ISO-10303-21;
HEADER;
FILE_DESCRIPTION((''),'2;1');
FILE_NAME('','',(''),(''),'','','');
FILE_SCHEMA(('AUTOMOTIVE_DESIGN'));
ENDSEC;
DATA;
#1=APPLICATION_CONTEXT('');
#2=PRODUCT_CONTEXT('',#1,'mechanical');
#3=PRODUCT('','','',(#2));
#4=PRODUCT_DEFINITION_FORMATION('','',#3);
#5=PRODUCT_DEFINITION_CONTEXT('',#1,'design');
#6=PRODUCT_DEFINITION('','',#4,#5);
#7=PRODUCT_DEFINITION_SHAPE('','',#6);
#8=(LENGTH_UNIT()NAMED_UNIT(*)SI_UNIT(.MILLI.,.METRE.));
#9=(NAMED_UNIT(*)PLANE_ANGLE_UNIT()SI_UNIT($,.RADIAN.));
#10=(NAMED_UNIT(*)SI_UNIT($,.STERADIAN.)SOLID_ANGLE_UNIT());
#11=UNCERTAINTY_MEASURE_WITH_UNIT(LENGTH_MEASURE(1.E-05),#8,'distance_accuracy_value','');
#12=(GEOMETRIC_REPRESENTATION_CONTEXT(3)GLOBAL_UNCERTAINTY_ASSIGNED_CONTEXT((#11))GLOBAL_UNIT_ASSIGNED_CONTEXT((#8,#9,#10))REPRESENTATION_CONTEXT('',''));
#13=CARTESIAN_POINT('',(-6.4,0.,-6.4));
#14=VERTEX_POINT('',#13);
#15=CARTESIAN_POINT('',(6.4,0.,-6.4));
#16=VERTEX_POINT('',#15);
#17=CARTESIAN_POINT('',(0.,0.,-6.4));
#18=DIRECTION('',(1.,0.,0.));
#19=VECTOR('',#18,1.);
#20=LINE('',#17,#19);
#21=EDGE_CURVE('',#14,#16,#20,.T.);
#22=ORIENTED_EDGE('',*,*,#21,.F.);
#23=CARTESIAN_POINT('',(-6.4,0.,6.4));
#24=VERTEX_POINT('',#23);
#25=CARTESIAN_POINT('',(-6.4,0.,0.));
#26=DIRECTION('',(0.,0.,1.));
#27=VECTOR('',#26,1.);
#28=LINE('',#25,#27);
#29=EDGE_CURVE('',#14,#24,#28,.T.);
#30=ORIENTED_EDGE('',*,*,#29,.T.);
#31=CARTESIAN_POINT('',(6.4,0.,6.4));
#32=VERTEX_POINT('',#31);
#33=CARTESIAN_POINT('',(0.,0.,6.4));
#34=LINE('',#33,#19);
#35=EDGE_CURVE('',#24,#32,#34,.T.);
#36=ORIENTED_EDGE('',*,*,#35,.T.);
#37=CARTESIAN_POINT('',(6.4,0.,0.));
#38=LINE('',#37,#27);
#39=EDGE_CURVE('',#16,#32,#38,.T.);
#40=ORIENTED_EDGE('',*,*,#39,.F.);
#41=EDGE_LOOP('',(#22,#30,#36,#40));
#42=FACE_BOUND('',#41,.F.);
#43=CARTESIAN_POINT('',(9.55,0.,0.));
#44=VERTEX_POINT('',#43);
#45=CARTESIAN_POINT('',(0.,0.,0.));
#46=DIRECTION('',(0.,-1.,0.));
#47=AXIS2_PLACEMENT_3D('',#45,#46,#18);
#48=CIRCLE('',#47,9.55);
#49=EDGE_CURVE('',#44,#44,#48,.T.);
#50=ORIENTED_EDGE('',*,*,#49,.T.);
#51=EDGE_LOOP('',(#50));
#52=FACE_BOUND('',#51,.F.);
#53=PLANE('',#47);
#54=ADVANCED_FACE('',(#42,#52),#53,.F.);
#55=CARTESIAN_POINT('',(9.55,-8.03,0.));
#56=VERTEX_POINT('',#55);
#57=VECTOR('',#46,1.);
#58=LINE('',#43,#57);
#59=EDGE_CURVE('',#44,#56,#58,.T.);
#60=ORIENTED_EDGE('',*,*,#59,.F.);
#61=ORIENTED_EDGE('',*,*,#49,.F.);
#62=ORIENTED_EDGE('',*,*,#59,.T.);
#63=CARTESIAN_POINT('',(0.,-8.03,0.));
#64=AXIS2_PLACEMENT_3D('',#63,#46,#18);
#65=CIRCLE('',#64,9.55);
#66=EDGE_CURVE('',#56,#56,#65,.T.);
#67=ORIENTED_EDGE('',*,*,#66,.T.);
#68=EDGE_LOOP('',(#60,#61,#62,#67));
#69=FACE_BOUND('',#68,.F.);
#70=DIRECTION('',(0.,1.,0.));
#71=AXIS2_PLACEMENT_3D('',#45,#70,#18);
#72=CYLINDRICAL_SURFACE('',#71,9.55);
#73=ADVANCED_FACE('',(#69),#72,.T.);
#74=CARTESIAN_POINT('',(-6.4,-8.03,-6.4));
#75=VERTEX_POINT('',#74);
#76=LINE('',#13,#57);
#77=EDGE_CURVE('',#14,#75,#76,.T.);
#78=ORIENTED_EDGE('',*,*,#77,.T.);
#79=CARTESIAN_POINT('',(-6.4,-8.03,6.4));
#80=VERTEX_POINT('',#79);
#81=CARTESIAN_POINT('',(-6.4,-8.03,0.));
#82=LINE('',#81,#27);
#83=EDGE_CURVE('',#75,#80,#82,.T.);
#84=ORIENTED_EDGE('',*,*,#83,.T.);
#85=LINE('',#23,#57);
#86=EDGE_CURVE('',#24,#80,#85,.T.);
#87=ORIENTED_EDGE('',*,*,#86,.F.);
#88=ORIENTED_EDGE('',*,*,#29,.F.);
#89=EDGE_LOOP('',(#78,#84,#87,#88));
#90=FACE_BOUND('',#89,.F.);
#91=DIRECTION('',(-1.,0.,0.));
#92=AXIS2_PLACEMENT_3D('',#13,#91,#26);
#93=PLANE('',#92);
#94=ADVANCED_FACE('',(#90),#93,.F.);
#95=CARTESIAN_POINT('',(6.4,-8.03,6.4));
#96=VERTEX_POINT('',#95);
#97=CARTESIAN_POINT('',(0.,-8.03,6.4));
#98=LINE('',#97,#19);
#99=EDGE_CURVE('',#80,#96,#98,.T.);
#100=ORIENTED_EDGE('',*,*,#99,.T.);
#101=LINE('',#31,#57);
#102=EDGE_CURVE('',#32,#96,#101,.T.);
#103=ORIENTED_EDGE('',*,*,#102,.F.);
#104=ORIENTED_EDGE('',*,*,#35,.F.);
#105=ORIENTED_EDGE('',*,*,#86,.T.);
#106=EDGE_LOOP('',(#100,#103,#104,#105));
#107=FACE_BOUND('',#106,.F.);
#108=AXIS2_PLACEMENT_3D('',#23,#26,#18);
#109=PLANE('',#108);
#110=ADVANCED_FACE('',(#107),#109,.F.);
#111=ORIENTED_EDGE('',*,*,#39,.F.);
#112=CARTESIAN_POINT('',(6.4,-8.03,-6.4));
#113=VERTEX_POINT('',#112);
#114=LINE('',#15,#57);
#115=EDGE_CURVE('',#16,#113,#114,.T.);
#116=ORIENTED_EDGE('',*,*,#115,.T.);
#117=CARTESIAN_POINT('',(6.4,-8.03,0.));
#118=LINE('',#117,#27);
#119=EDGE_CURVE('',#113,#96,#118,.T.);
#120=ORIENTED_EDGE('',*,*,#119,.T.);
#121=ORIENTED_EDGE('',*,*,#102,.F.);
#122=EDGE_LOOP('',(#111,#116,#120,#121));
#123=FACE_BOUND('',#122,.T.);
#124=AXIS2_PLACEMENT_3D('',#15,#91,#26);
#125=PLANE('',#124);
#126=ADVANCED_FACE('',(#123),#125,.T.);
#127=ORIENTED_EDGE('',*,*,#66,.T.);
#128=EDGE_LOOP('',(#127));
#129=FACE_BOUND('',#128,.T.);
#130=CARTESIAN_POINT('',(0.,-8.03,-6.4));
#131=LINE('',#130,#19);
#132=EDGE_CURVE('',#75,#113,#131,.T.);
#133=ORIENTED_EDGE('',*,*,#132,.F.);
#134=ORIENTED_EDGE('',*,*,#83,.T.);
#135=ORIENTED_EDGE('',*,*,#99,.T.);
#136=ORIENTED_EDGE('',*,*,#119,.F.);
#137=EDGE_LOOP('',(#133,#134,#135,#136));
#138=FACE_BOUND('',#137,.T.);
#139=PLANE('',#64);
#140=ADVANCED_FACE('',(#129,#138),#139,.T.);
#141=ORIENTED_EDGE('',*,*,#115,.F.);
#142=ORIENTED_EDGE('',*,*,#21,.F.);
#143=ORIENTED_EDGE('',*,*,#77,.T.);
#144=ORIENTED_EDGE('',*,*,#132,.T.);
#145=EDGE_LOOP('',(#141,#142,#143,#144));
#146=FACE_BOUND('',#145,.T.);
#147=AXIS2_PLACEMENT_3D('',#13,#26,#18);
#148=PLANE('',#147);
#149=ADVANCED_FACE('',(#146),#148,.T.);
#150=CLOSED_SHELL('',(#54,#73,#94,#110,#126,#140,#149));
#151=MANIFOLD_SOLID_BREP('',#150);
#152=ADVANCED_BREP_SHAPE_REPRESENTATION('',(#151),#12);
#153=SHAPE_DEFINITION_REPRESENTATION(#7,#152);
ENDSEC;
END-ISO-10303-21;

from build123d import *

# Parameters (mm, degrees)
F0_R     = 9.55
F0_W     = 12.8
F0_H     = 12.8
F1_DEPTH = 8.03


with BuildPart() as f1:
    # F0 (on Front) → F1 (new body)
    with BuildSketch(Plane.XZ):
        Circle(F0_R)
        Rectangle(F0_W, F0_H, mode=Mode.SUBTRACT)
    extrude(amount=F1_DEPTH)


solid = f1.part
